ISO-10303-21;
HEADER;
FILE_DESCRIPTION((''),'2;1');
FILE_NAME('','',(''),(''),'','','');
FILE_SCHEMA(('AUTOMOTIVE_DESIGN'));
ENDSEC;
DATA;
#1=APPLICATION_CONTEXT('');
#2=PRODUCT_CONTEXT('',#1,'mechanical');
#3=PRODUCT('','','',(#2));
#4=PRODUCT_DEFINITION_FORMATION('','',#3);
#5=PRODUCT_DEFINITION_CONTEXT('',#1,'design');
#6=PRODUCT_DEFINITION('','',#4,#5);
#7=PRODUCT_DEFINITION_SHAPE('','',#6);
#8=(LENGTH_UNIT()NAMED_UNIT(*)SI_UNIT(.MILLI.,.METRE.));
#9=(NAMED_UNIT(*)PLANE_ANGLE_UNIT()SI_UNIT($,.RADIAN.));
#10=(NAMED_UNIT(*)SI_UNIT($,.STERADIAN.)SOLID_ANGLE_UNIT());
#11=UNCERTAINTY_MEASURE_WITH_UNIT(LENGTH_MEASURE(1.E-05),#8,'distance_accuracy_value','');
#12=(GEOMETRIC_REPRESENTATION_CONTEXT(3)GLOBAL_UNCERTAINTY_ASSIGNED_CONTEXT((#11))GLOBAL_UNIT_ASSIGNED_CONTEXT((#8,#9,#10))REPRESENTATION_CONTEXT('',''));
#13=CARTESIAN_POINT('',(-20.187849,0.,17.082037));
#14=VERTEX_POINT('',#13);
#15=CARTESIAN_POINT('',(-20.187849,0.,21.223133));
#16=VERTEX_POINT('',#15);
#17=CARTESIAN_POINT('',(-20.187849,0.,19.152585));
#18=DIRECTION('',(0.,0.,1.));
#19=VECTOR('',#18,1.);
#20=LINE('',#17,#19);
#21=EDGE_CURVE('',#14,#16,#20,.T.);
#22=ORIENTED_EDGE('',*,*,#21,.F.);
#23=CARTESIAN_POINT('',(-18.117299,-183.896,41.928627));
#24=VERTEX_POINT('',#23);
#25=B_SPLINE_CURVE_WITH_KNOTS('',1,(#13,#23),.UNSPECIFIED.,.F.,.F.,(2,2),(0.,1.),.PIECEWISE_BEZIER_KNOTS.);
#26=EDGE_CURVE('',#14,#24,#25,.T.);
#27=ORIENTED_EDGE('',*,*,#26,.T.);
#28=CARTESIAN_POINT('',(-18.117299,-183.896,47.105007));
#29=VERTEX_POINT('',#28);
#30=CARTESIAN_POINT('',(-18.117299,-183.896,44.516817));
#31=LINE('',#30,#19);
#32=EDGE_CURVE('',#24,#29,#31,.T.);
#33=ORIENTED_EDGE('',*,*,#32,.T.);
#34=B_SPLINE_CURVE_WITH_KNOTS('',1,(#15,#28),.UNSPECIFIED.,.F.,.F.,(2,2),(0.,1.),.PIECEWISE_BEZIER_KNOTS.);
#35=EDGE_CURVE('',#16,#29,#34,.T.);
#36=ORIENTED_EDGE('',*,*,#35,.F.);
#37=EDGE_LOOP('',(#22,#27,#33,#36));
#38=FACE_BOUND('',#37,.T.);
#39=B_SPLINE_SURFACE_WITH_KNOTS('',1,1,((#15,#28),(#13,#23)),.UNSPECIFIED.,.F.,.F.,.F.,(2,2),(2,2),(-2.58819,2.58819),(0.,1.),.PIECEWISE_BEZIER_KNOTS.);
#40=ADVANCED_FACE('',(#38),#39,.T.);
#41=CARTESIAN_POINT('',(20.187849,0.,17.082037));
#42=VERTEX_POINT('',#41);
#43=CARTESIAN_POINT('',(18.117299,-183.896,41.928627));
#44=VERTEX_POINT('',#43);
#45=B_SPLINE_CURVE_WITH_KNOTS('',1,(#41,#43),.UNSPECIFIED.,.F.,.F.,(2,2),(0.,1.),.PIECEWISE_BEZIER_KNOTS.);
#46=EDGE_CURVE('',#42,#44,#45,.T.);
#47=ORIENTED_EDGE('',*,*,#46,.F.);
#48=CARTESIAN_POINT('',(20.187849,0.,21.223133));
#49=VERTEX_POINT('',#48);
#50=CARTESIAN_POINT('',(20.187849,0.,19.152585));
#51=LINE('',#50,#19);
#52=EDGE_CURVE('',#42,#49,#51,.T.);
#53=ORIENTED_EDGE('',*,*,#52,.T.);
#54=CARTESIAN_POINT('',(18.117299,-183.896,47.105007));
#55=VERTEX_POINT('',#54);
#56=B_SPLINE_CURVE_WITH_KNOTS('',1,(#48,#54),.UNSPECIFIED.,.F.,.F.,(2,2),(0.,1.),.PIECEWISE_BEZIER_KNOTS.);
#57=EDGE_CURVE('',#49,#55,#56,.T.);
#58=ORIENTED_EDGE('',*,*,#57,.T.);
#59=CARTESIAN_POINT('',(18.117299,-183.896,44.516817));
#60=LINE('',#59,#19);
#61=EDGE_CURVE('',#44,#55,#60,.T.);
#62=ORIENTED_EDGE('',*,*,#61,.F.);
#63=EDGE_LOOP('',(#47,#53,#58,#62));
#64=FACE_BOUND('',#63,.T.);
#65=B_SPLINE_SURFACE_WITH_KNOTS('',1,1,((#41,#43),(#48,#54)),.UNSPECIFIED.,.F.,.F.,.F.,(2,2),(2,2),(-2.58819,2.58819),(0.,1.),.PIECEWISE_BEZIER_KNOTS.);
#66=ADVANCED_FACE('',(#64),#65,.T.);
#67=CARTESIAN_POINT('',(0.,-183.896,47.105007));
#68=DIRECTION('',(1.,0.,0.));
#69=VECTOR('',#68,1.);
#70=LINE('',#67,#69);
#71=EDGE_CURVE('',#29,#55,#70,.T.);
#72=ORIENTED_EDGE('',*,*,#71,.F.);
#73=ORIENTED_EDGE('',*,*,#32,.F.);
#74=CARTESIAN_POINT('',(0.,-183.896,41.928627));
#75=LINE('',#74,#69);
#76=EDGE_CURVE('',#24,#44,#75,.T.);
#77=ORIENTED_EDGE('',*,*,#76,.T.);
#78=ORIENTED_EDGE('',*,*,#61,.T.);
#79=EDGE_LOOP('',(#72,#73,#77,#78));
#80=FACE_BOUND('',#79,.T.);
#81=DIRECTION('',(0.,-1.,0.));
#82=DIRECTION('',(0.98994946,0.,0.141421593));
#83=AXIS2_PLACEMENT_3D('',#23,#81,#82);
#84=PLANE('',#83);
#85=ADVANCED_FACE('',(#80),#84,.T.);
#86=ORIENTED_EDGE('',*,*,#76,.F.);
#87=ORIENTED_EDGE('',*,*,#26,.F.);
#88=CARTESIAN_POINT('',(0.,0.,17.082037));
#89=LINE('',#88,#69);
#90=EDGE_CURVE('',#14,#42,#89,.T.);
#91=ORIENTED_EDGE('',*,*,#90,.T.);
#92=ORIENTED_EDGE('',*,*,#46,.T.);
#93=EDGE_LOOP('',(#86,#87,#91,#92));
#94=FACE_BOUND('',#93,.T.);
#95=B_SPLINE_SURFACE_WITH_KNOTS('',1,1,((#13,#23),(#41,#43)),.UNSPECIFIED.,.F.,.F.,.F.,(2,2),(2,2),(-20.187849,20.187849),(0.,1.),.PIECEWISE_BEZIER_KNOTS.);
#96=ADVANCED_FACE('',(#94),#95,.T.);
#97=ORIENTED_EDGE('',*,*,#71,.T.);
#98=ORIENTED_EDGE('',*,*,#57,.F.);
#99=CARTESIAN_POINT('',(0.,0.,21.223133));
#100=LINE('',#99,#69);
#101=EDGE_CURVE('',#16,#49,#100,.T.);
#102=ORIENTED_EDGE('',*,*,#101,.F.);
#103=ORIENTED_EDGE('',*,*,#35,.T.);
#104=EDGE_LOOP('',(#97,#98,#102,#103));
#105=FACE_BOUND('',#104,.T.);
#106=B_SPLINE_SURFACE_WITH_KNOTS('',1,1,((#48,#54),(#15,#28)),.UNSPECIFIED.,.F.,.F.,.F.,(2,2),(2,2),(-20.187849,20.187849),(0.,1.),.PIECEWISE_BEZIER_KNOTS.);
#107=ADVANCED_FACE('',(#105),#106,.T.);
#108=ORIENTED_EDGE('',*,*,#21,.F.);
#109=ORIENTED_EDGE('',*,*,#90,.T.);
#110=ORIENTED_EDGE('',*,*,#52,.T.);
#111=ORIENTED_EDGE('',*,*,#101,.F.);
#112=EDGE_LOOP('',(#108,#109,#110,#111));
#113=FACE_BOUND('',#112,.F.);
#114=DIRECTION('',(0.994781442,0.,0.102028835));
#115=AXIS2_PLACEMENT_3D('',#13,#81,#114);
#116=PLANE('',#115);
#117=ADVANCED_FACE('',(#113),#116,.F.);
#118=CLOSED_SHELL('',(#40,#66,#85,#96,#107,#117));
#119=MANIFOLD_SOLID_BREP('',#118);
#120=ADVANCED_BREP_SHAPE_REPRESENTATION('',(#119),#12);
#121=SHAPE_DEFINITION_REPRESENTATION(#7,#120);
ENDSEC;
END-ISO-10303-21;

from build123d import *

# Parameters (mm, degrees)
F2_W = 40.375698
F2_H = 4.141096
F1_W = 36.234598
F1_H = 5.17638


with BuildPart() as f3:
    # F2 (on Front) → F3 section 0
    with BuildSketch(Plane.XZ):
        with Locations((0, 19.152585)):
            Rectangle(F2_W, F2_H)
    # F1 (on offset) → F3 section 1
    with BuildSketch(Plane.XZ.offset(183.896)):
        with Locations((0, 44.516817)):
            Rectangle(F1_W, F1_H)
    loft()


solid = f3.part
